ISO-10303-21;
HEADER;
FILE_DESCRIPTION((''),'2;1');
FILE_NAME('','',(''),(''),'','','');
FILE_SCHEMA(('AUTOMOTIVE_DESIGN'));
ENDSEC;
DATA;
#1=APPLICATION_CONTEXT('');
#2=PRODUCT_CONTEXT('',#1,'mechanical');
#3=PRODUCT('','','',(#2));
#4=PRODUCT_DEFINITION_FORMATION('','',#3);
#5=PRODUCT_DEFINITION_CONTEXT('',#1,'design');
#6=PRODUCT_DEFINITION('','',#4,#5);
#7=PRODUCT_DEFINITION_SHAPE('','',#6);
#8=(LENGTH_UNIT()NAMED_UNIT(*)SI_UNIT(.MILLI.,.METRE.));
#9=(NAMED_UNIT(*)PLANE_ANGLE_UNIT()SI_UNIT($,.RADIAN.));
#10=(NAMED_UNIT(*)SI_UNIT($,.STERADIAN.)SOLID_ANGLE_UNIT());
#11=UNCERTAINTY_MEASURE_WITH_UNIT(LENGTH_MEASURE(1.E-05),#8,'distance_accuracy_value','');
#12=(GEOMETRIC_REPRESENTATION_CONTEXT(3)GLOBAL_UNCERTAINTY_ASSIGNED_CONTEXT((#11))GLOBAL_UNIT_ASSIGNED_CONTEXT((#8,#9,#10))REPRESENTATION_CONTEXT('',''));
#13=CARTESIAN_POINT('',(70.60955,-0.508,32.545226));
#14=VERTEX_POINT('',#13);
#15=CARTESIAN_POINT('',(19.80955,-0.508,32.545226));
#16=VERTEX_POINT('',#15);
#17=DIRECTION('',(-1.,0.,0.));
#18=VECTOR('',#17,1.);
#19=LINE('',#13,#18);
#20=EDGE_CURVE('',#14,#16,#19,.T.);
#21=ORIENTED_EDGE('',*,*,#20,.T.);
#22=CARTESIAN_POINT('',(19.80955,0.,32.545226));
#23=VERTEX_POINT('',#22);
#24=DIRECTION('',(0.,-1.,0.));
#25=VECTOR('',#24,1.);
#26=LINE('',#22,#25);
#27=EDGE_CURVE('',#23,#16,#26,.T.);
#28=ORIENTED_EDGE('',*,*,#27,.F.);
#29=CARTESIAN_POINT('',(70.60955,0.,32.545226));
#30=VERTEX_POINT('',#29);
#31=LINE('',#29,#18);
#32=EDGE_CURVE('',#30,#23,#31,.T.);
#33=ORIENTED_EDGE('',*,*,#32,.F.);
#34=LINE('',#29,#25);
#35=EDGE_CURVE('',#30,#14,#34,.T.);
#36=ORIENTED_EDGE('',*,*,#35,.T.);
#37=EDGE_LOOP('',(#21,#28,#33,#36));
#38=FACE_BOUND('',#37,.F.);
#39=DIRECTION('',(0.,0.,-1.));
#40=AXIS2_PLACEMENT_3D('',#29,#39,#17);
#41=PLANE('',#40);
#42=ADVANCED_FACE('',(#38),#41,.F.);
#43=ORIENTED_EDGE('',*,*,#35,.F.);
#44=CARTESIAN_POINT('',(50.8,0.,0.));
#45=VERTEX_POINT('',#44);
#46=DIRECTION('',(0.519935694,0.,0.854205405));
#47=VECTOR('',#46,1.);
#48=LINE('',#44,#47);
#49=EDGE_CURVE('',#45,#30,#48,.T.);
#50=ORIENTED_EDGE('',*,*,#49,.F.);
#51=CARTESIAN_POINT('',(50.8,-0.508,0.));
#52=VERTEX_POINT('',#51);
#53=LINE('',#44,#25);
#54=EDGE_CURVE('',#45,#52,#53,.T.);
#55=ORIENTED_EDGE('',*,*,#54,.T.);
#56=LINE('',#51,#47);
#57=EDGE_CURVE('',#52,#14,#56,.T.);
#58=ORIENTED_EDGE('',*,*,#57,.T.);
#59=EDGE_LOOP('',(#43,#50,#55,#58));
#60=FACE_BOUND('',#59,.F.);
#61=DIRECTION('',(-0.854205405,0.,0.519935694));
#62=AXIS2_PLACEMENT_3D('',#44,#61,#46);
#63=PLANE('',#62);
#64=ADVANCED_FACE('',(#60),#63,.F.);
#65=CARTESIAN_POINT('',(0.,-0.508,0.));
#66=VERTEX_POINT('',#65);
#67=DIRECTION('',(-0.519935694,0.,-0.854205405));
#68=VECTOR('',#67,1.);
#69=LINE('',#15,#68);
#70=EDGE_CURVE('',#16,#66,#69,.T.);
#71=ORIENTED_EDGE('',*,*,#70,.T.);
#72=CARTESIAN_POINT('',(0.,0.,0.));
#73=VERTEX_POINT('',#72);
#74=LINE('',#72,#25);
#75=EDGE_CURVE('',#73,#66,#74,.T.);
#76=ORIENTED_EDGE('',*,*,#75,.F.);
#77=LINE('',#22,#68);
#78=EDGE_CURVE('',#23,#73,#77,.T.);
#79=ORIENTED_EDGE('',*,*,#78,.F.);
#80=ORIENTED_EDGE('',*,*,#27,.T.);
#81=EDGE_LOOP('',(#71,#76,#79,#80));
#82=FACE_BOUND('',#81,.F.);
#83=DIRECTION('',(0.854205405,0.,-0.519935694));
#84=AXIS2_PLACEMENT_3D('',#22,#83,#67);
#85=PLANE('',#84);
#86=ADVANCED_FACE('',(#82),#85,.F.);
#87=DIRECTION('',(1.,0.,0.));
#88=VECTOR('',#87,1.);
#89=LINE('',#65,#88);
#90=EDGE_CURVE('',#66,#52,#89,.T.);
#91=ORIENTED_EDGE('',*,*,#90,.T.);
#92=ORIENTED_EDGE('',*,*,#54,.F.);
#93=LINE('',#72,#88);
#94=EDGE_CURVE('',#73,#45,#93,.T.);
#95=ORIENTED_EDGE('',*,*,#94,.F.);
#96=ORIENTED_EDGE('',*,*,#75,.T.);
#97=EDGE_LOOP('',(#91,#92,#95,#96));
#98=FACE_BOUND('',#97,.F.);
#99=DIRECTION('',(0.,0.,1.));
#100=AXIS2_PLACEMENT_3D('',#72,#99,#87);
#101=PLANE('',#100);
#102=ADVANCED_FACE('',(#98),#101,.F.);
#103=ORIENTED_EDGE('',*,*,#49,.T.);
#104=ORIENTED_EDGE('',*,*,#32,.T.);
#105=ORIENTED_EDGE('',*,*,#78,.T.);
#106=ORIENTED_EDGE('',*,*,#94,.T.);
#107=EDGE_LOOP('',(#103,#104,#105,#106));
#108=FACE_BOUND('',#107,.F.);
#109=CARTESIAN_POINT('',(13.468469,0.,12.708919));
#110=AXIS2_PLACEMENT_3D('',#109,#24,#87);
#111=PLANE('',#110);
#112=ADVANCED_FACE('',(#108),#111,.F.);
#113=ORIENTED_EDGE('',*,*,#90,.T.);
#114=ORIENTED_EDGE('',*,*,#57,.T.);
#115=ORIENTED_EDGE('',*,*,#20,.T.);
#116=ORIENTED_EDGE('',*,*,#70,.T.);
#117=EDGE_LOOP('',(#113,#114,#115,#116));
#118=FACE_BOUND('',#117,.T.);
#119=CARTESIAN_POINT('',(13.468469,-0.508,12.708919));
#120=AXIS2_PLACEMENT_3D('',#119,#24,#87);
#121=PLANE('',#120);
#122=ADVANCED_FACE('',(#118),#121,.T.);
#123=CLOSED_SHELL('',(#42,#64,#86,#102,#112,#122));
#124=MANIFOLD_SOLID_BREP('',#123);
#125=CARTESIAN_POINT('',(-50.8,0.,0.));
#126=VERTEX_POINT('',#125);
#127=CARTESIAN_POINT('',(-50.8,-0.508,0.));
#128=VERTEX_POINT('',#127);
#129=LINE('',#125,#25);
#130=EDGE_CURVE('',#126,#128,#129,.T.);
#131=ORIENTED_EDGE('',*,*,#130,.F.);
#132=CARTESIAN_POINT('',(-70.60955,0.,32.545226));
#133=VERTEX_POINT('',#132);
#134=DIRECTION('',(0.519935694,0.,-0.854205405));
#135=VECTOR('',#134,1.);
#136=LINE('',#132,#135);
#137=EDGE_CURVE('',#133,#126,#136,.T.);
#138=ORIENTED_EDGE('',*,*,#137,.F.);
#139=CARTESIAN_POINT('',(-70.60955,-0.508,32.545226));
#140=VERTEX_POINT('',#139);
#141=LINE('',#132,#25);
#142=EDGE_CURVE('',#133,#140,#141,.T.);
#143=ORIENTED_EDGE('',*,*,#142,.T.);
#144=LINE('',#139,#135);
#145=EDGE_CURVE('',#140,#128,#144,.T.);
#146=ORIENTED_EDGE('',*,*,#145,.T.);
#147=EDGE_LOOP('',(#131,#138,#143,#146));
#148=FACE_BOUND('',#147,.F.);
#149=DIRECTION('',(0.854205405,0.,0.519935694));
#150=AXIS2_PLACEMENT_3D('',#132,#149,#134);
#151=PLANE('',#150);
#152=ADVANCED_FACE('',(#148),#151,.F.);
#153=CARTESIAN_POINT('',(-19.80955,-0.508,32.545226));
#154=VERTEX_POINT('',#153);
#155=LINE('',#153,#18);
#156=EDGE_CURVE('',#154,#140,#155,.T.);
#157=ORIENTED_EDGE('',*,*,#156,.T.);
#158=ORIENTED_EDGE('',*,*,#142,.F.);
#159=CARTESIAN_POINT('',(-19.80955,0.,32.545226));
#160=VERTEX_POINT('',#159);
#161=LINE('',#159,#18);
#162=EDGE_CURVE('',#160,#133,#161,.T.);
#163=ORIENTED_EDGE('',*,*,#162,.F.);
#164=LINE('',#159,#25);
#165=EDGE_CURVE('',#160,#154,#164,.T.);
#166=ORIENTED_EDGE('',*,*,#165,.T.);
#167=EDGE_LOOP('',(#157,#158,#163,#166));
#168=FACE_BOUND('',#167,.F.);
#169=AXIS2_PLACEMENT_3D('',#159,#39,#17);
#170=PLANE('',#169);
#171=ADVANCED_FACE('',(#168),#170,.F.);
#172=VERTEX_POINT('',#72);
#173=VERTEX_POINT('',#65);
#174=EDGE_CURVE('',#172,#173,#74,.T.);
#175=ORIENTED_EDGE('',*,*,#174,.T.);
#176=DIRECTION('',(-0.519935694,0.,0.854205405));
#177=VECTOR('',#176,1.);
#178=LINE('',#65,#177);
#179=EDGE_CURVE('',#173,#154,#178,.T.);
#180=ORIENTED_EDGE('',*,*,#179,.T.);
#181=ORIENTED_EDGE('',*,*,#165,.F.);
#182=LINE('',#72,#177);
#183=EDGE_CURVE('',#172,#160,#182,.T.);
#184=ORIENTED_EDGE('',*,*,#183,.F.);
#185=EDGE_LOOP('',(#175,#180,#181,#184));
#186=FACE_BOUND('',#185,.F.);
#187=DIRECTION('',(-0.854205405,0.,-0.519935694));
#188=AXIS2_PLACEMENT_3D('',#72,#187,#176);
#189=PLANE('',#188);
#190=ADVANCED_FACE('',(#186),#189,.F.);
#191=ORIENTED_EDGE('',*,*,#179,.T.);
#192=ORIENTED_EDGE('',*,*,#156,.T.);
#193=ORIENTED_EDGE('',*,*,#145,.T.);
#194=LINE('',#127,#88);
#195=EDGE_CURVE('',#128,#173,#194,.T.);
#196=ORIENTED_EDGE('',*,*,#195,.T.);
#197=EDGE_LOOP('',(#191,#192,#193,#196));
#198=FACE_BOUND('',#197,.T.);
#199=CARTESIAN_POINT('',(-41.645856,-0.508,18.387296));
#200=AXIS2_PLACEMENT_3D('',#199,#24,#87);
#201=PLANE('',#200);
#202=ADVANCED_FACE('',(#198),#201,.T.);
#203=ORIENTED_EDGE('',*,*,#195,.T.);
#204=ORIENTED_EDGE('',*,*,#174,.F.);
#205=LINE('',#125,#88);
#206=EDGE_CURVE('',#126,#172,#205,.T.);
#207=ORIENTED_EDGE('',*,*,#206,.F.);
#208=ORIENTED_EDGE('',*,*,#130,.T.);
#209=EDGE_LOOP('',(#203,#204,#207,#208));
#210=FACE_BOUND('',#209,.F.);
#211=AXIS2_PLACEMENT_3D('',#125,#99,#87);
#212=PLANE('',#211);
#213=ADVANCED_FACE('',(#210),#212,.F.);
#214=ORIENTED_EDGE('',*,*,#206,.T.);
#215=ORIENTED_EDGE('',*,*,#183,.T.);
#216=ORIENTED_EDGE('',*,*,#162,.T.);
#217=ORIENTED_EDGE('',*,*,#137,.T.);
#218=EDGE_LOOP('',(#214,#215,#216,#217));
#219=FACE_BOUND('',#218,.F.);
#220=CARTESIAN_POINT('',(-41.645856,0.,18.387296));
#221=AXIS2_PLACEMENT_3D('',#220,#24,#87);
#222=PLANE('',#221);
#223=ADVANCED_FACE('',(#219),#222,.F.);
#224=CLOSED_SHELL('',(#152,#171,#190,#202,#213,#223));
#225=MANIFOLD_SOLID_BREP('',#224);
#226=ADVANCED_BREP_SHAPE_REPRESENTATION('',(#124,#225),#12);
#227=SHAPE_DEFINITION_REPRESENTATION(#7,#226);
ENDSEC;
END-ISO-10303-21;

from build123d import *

# Parameters (mm, degrees)
F1_DEPTH = 0.508


with BuildPart() as f1:
    # F0 (on Front) → F1 (new body)
    with BuildSketch(Plane.XZ):
        Polygon((-50.8, 0), (-19.80955, 0), (-19.80955, 32.545226), (-70.60955, 32.545226), align=None)
        Polygon((-19.80955, 0), (0, 0), (-19.80955, 32.545226), align=None)
        Polygon((19.80955, 32.545226), (0, 0), (19.80955, 0), align=None)
        Polygon((19.80955, 32.545226), (19.80955, 0), (50.8, 0), (70.60955, 32.545226), align=None)
    extrude(amount=F1_DEPTH)


solid = f1.part
